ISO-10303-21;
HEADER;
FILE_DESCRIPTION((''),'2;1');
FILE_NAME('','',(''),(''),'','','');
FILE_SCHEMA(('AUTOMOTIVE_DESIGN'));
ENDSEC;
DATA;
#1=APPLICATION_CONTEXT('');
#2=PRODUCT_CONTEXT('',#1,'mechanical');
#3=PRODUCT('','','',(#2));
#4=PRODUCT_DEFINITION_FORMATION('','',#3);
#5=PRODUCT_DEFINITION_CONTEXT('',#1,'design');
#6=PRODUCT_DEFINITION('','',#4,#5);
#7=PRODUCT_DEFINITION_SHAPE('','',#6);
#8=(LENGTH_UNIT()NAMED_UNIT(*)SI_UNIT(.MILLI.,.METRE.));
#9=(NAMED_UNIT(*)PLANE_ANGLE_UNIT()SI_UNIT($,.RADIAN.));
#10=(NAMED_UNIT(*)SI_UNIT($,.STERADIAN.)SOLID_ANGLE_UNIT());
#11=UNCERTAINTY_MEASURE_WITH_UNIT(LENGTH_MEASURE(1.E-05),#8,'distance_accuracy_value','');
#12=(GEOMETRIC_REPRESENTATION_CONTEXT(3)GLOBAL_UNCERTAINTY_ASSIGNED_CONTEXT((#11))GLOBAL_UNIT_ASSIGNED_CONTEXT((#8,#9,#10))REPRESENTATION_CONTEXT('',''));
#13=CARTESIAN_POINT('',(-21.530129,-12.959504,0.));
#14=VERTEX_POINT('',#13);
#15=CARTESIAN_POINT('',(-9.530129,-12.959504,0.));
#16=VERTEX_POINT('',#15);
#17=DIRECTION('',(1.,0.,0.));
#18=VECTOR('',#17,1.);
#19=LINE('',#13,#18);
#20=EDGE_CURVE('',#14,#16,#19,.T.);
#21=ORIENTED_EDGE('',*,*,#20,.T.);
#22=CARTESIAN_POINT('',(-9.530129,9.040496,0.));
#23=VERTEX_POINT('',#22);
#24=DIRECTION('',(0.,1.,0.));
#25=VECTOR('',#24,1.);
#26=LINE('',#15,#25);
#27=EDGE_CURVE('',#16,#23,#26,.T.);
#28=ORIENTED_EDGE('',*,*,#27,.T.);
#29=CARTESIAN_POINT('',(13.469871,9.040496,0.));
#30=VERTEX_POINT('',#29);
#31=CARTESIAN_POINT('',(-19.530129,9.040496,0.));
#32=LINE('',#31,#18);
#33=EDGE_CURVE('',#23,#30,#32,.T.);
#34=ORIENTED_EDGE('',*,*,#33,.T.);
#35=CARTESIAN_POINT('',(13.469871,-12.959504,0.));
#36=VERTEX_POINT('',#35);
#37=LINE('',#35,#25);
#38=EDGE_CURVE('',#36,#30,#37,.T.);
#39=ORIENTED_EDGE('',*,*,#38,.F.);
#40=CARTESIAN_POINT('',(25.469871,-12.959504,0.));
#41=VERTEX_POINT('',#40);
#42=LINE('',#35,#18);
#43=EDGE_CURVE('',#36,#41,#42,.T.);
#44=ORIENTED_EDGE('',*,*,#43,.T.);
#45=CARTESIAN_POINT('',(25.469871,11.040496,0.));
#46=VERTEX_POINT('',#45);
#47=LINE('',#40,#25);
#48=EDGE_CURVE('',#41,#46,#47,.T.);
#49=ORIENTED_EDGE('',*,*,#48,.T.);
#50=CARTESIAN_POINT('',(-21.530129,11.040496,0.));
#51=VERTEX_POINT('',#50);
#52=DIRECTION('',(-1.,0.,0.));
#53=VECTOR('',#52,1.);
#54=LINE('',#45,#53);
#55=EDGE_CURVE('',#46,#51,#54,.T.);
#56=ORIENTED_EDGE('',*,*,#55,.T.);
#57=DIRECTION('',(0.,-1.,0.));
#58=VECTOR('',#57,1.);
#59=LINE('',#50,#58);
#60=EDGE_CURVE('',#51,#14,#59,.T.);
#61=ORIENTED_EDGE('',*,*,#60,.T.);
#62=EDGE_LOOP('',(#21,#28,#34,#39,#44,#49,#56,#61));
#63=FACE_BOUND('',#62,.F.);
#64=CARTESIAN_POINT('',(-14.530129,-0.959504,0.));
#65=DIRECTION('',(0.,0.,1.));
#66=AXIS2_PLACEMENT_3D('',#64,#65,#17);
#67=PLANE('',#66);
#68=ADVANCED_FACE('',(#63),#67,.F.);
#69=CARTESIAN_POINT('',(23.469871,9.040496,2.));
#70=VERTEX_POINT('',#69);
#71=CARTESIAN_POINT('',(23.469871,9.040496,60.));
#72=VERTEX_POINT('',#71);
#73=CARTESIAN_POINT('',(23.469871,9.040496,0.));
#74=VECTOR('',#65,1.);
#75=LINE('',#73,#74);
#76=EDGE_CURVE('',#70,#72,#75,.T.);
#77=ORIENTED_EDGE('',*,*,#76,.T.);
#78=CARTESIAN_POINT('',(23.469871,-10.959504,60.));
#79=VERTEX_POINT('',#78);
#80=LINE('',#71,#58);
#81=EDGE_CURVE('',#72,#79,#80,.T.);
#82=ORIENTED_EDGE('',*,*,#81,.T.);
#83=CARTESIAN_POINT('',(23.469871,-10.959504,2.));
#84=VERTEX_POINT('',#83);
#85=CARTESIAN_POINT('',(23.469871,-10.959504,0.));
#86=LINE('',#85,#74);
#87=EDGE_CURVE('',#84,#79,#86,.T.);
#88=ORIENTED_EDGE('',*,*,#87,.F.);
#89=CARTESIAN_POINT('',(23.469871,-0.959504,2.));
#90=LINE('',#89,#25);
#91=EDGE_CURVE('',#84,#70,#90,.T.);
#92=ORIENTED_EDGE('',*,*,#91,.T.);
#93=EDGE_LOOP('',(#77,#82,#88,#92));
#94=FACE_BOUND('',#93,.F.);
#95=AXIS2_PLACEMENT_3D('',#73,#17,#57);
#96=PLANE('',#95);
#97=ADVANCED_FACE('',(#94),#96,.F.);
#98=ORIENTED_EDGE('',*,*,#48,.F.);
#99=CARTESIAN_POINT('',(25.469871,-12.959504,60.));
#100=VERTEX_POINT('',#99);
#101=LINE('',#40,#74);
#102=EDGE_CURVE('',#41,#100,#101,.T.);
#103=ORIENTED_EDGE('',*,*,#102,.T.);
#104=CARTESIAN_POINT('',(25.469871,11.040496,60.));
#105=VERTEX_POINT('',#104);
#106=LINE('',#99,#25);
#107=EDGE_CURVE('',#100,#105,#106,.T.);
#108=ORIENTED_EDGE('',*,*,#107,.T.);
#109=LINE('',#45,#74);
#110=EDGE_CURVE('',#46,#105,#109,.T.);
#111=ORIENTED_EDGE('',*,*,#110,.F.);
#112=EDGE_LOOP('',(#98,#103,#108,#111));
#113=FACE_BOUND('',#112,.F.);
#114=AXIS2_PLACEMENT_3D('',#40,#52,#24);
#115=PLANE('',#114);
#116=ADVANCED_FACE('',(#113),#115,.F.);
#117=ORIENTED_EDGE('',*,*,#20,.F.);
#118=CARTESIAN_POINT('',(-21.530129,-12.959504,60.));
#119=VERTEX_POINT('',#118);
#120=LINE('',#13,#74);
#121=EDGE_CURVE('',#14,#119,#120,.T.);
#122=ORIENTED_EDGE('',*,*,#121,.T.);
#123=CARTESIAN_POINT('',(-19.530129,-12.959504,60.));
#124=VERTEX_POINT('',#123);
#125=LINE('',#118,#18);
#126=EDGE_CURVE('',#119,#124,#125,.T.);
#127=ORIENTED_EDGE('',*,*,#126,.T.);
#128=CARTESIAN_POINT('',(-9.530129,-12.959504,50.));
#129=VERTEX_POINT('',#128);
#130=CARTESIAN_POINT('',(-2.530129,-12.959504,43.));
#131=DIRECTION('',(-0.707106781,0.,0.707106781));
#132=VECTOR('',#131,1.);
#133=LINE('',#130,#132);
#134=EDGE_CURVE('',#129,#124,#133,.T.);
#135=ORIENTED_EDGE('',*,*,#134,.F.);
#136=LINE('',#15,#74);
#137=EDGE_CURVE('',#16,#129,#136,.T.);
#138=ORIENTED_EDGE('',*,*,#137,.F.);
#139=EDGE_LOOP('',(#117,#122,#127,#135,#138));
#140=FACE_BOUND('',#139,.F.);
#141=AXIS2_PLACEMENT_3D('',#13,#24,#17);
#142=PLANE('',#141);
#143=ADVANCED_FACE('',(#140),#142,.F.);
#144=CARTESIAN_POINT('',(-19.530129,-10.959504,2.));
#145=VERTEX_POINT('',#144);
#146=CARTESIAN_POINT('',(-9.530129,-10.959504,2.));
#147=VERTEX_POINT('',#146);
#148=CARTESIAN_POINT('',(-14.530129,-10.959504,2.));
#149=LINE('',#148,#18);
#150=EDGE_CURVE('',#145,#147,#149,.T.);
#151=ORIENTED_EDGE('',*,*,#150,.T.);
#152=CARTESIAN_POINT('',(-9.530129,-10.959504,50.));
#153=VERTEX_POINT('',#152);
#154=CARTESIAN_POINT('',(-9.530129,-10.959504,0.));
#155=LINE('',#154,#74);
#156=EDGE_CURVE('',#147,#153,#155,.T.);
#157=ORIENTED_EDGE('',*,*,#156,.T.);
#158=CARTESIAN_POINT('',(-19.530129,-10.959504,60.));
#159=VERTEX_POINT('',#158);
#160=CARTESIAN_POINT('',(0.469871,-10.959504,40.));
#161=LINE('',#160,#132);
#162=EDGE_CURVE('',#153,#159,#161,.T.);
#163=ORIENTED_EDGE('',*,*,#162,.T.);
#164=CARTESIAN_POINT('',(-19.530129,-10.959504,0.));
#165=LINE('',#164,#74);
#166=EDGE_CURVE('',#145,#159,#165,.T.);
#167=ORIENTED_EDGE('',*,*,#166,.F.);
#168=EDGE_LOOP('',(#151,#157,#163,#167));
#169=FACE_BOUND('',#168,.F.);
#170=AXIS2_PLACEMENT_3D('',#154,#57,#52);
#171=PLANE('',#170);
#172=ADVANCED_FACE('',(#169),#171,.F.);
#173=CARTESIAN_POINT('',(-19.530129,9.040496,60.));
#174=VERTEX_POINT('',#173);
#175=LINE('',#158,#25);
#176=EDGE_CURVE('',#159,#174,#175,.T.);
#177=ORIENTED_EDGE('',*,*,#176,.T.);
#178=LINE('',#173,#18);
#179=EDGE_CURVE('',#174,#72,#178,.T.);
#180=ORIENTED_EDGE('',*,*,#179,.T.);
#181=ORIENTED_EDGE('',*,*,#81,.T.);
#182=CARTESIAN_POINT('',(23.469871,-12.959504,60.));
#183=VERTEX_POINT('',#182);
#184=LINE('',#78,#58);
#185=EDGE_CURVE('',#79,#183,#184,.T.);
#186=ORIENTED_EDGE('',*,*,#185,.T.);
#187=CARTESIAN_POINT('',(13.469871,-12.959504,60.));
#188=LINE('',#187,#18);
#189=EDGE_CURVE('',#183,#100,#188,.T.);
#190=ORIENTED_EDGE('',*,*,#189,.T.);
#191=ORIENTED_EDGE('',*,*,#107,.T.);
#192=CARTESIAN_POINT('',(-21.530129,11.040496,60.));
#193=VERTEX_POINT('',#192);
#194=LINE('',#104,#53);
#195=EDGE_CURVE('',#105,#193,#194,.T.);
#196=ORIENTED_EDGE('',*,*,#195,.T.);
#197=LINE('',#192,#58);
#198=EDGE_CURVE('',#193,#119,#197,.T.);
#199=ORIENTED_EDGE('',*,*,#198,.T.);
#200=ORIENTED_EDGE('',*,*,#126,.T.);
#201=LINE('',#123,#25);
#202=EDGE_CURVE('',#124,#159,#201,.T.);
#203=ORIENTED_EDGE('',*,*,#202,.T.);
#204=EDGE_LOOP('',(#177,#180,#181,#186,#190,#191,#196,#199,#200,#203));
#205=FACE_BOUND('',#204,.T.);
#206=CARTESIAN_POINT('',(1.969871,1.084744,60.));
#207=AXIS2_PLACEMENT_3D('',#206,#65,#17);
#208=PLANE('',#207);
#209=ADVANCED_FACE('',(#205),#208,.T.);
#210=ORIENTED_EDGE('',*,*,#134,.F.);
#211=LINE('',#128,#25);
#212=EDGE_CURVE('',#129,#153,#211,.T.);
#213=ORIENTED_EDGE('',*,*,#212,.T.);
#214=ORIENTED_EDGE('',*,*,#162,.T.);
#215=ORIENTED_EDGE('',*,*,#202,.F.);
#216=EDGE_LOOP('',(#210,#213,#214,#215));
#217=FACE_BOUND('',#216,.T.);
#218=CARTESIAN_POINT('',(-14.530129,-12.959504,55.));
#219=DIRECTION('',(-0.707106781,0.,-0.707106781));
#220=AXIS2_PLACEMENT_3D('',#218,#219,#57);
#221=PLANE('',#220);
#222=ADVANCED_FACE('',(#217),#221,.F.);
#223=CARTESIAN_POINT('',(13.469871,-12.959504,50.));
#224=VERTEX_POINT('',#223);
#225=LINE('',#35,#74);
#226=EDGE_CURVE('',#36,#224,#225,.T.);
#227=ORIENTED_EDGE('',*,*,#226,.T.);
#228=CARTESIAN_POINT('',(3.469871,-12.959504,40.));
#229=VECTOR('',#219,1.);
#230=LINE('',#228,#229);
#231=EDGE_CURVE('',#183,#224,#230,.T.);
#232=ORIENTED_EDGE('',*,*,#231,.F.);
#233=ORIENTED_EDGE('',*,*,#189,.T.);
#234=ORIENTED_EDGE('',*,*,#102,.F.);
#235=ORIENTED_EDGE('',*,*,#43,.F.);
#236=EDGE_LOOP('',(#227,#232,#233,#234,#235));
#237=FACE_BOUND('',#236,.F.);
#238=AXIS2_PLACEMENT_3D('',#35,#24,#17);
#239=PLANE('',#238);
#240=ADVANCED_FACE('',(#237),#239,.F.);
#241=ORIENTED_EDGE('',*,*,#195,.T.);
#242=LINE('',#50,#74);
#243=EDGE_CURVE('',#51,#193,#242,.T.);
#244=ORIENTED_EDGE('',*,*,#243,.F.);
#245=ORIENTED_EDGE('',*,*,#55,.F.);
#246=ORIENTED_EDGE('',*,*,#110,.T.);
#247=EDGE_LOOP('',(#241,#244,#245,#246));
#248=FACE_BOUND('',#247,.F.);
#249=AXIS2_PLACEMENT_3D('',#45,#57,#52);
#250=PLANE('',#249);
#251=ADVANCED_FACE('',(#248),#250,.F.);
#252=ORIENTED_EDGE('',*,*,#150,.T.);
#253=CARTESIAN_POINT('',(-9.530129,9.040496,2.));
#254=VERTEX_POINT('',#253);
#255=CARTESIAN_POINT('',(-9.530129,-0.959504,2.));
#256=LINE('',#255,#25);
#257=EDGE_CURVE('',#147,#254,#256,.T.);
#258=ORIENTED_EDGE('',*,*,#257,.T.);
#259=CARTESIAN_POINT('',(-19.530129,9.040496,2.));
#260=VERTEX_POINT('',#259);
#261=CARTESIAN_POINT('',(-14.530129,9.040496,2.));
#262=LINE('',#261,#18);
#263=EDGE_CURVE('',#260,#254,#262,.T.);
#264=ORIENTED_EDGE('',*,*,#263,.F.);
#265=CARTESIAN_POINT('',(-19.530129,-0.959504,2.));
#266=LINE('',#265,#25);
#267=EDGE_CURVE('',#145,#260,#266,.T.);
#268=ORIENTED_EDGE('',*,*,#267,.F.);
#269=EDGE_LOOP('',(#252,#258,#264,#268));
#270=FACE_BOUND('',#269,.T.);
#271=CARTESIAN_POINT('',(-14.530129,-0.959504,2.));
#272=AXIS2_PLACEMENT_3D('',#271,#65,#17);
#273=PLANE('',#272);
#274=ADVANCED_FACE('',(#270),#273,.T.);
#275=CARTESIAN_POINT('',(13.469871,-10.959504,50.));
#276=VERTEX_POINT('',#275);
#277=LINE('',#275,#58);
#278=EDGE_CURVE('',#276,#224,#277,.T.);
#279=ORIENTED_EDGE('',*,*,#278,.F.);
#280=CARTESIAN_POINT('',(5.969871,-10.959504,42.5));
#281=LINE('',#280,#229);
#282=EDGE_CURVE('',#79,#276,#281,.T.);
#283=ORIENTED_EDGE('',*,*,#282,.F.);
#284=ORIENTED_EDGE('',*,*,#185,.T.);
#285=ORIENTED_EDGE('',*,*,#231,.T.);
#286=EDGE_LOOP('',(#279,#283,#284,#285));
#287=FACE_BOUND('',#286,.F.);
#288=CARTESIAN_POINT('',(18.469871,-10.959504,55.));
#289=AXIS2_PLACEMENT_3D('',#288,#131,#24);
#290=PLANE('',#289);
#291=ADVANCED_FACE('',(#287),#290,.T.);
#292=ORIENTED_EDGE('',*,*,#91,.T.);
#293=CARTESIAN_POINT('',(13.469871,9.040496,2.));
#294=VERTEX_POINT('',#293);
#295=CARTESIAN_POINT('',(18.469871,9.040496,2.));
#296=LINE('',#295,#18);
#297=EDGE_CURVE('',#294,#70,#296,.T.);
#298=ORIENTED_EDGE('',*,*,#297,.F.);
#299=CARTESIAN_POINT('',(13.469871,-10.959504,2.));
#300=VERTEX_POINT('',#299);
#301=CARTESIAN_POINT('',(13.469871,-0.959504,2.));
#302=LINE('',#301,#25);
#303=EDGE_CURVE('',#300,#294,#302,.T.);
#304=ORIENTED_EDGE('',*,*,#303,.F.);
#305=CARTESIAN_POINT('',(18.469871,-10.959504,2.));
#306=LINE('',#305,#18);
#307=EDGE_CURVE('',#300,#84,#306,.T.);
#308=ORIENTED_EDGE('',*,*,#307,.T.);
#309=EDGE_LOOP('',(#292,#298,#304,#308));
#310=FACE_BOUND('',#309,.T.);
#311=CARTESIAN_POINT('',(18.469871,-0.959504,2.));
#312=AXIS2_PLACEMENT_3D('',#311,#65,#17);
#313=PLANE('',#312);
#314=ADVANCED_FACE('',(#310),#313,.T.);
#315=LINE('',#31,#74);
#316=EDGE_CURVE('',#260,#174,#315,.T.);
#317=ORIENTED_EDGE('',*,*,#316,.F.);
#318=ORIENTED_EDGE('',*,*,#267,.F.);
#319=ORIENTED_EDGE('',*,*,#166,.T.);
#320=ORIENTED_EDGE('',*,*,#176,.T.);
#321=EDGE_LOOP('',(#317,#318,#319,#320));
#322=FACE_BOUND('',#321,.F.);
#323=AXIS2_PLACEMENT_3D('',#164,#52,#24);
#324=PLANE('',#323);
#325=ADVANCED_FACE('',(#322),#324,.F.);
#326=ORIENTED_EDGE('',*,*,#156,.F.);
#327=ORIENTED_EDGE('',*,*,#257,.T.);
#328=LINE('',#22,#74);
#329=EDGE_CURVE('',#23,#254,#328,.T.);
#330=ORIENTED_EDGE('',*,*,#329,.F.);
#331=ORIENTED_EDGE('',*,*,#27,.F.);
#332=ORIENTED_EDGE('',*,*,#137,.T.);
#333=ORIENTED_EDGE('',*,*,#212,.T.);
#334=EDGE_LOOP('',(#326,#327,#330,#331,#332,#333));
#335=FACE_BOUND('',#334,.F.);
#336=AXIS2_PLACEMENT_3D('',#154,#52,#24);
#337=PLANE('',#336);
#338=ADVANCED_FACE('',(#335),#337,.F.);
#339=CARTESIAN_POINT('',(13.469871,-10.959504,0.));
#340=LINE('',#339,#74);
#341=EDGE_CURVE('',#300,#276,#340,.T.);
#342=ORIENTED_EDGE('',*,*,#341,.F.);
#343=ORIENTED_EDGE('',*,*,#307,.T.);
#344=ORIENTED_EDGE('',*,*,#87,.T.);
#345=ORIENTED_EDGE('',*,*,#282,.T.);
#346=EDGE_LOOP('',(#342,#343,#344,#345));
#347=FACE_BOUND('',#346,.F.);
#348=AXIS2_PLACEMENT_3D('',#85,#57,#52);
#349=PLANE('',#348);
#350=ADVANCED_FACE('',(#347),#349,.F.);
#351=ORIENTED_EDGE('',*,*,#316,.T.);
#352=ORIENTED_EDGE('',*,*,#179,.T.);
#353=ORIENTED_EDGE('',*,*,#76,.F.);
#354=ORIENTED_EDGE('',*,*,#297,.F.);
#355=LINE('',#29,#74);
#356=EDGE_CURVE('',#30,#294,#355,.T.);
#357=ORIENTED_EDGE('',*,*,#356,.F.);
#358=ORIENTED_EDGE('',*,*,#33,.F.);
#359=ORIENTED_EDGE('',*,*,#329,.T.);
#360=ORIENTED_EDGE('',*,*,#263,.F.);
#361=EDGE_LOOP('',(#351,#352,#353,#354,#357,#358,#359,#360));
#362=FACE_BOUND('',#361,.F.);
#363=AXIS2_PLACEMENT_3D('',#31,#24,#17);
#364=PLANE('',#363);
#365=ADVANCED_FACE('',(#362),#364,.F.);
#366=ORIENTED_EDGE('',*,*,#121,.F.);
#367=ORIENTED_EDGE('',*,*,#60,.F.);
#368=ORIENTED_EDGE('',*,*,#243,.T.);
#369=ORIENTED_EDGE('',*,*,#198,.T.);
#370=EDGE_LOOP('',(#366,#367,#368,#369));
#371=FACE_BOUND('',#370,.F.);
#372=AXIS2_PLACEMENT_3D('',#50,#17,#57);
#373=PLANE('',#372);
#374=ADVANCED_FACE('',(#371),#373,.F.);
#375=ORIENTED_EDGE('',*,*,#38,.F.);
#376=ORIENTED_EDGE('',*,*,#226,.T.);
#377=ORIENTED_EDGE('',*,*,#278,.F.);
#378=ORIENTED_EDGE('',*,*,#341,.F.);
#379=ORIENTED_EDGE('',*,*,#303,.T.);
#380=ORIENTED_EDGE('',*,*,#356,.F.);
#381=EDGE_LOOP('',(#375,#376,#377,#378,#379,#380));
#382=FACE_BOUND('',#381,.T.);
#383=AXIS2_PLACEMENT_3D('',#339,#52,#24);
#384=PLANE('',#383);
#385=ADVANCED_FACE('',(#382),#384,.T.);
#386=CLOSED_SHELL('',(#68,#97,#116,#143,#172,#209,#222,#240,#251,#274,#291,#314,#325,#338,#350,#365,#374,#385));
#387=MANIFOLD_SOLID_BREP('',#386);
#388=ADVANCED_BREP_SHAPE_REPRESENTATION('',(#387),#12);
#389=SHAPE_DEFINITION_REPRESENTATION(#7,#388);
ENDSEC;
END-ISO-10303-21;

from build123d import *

# Parameters (mm, degrees)
F1_DEPTH = 60
F0_W     = 10
F0_H     = 20
F2_DEPTH = 2
F3_SIZE  = 10


with BuildPart() as f1:
    # F0 (on Top) → F1 (new body)
    with BuildSketch(Plane.XY):
        Polygon((-19.530129, -10.959504), (-19.530129, 9.040496), (-9.530129, 9.040496), (13.469871, 9.040496), (23.469871, 9.040496), (23.469871, -10.959504), (13.469871, -10.959504), (13.469871, -12.959504), (25.469871, -12.959504), (25.469871, 11.040496), (-21.530129, 11.040496), (-21.530129, -12.959504), (-9.530129, -12.959504), (-9.530129, -10.959504), align=None)
    extrude(amount=F1_DEPTH)

    # F0 (on Top) → F2 (join)
    with BuildSketch(Plane.XY):
        with Locations((-14.530129, -0.959504)):
            Rectangle(F0_W, F0_H)
        with Locations((18.469871, -0.959504)):
            Rectangle(F0_W, F0_H)
    extrude(amount=F2_DEPTH)

    # F3
    f3_edges = [f1.edges().sort_by_distance(p)[0] for p in [
        (-9.530129, -11.959504, 60),
        (13.469871, -11.959504, 60),
    ]]
    chamfer(f3_edges, length=F3_SIZE)


solid = f1.part
